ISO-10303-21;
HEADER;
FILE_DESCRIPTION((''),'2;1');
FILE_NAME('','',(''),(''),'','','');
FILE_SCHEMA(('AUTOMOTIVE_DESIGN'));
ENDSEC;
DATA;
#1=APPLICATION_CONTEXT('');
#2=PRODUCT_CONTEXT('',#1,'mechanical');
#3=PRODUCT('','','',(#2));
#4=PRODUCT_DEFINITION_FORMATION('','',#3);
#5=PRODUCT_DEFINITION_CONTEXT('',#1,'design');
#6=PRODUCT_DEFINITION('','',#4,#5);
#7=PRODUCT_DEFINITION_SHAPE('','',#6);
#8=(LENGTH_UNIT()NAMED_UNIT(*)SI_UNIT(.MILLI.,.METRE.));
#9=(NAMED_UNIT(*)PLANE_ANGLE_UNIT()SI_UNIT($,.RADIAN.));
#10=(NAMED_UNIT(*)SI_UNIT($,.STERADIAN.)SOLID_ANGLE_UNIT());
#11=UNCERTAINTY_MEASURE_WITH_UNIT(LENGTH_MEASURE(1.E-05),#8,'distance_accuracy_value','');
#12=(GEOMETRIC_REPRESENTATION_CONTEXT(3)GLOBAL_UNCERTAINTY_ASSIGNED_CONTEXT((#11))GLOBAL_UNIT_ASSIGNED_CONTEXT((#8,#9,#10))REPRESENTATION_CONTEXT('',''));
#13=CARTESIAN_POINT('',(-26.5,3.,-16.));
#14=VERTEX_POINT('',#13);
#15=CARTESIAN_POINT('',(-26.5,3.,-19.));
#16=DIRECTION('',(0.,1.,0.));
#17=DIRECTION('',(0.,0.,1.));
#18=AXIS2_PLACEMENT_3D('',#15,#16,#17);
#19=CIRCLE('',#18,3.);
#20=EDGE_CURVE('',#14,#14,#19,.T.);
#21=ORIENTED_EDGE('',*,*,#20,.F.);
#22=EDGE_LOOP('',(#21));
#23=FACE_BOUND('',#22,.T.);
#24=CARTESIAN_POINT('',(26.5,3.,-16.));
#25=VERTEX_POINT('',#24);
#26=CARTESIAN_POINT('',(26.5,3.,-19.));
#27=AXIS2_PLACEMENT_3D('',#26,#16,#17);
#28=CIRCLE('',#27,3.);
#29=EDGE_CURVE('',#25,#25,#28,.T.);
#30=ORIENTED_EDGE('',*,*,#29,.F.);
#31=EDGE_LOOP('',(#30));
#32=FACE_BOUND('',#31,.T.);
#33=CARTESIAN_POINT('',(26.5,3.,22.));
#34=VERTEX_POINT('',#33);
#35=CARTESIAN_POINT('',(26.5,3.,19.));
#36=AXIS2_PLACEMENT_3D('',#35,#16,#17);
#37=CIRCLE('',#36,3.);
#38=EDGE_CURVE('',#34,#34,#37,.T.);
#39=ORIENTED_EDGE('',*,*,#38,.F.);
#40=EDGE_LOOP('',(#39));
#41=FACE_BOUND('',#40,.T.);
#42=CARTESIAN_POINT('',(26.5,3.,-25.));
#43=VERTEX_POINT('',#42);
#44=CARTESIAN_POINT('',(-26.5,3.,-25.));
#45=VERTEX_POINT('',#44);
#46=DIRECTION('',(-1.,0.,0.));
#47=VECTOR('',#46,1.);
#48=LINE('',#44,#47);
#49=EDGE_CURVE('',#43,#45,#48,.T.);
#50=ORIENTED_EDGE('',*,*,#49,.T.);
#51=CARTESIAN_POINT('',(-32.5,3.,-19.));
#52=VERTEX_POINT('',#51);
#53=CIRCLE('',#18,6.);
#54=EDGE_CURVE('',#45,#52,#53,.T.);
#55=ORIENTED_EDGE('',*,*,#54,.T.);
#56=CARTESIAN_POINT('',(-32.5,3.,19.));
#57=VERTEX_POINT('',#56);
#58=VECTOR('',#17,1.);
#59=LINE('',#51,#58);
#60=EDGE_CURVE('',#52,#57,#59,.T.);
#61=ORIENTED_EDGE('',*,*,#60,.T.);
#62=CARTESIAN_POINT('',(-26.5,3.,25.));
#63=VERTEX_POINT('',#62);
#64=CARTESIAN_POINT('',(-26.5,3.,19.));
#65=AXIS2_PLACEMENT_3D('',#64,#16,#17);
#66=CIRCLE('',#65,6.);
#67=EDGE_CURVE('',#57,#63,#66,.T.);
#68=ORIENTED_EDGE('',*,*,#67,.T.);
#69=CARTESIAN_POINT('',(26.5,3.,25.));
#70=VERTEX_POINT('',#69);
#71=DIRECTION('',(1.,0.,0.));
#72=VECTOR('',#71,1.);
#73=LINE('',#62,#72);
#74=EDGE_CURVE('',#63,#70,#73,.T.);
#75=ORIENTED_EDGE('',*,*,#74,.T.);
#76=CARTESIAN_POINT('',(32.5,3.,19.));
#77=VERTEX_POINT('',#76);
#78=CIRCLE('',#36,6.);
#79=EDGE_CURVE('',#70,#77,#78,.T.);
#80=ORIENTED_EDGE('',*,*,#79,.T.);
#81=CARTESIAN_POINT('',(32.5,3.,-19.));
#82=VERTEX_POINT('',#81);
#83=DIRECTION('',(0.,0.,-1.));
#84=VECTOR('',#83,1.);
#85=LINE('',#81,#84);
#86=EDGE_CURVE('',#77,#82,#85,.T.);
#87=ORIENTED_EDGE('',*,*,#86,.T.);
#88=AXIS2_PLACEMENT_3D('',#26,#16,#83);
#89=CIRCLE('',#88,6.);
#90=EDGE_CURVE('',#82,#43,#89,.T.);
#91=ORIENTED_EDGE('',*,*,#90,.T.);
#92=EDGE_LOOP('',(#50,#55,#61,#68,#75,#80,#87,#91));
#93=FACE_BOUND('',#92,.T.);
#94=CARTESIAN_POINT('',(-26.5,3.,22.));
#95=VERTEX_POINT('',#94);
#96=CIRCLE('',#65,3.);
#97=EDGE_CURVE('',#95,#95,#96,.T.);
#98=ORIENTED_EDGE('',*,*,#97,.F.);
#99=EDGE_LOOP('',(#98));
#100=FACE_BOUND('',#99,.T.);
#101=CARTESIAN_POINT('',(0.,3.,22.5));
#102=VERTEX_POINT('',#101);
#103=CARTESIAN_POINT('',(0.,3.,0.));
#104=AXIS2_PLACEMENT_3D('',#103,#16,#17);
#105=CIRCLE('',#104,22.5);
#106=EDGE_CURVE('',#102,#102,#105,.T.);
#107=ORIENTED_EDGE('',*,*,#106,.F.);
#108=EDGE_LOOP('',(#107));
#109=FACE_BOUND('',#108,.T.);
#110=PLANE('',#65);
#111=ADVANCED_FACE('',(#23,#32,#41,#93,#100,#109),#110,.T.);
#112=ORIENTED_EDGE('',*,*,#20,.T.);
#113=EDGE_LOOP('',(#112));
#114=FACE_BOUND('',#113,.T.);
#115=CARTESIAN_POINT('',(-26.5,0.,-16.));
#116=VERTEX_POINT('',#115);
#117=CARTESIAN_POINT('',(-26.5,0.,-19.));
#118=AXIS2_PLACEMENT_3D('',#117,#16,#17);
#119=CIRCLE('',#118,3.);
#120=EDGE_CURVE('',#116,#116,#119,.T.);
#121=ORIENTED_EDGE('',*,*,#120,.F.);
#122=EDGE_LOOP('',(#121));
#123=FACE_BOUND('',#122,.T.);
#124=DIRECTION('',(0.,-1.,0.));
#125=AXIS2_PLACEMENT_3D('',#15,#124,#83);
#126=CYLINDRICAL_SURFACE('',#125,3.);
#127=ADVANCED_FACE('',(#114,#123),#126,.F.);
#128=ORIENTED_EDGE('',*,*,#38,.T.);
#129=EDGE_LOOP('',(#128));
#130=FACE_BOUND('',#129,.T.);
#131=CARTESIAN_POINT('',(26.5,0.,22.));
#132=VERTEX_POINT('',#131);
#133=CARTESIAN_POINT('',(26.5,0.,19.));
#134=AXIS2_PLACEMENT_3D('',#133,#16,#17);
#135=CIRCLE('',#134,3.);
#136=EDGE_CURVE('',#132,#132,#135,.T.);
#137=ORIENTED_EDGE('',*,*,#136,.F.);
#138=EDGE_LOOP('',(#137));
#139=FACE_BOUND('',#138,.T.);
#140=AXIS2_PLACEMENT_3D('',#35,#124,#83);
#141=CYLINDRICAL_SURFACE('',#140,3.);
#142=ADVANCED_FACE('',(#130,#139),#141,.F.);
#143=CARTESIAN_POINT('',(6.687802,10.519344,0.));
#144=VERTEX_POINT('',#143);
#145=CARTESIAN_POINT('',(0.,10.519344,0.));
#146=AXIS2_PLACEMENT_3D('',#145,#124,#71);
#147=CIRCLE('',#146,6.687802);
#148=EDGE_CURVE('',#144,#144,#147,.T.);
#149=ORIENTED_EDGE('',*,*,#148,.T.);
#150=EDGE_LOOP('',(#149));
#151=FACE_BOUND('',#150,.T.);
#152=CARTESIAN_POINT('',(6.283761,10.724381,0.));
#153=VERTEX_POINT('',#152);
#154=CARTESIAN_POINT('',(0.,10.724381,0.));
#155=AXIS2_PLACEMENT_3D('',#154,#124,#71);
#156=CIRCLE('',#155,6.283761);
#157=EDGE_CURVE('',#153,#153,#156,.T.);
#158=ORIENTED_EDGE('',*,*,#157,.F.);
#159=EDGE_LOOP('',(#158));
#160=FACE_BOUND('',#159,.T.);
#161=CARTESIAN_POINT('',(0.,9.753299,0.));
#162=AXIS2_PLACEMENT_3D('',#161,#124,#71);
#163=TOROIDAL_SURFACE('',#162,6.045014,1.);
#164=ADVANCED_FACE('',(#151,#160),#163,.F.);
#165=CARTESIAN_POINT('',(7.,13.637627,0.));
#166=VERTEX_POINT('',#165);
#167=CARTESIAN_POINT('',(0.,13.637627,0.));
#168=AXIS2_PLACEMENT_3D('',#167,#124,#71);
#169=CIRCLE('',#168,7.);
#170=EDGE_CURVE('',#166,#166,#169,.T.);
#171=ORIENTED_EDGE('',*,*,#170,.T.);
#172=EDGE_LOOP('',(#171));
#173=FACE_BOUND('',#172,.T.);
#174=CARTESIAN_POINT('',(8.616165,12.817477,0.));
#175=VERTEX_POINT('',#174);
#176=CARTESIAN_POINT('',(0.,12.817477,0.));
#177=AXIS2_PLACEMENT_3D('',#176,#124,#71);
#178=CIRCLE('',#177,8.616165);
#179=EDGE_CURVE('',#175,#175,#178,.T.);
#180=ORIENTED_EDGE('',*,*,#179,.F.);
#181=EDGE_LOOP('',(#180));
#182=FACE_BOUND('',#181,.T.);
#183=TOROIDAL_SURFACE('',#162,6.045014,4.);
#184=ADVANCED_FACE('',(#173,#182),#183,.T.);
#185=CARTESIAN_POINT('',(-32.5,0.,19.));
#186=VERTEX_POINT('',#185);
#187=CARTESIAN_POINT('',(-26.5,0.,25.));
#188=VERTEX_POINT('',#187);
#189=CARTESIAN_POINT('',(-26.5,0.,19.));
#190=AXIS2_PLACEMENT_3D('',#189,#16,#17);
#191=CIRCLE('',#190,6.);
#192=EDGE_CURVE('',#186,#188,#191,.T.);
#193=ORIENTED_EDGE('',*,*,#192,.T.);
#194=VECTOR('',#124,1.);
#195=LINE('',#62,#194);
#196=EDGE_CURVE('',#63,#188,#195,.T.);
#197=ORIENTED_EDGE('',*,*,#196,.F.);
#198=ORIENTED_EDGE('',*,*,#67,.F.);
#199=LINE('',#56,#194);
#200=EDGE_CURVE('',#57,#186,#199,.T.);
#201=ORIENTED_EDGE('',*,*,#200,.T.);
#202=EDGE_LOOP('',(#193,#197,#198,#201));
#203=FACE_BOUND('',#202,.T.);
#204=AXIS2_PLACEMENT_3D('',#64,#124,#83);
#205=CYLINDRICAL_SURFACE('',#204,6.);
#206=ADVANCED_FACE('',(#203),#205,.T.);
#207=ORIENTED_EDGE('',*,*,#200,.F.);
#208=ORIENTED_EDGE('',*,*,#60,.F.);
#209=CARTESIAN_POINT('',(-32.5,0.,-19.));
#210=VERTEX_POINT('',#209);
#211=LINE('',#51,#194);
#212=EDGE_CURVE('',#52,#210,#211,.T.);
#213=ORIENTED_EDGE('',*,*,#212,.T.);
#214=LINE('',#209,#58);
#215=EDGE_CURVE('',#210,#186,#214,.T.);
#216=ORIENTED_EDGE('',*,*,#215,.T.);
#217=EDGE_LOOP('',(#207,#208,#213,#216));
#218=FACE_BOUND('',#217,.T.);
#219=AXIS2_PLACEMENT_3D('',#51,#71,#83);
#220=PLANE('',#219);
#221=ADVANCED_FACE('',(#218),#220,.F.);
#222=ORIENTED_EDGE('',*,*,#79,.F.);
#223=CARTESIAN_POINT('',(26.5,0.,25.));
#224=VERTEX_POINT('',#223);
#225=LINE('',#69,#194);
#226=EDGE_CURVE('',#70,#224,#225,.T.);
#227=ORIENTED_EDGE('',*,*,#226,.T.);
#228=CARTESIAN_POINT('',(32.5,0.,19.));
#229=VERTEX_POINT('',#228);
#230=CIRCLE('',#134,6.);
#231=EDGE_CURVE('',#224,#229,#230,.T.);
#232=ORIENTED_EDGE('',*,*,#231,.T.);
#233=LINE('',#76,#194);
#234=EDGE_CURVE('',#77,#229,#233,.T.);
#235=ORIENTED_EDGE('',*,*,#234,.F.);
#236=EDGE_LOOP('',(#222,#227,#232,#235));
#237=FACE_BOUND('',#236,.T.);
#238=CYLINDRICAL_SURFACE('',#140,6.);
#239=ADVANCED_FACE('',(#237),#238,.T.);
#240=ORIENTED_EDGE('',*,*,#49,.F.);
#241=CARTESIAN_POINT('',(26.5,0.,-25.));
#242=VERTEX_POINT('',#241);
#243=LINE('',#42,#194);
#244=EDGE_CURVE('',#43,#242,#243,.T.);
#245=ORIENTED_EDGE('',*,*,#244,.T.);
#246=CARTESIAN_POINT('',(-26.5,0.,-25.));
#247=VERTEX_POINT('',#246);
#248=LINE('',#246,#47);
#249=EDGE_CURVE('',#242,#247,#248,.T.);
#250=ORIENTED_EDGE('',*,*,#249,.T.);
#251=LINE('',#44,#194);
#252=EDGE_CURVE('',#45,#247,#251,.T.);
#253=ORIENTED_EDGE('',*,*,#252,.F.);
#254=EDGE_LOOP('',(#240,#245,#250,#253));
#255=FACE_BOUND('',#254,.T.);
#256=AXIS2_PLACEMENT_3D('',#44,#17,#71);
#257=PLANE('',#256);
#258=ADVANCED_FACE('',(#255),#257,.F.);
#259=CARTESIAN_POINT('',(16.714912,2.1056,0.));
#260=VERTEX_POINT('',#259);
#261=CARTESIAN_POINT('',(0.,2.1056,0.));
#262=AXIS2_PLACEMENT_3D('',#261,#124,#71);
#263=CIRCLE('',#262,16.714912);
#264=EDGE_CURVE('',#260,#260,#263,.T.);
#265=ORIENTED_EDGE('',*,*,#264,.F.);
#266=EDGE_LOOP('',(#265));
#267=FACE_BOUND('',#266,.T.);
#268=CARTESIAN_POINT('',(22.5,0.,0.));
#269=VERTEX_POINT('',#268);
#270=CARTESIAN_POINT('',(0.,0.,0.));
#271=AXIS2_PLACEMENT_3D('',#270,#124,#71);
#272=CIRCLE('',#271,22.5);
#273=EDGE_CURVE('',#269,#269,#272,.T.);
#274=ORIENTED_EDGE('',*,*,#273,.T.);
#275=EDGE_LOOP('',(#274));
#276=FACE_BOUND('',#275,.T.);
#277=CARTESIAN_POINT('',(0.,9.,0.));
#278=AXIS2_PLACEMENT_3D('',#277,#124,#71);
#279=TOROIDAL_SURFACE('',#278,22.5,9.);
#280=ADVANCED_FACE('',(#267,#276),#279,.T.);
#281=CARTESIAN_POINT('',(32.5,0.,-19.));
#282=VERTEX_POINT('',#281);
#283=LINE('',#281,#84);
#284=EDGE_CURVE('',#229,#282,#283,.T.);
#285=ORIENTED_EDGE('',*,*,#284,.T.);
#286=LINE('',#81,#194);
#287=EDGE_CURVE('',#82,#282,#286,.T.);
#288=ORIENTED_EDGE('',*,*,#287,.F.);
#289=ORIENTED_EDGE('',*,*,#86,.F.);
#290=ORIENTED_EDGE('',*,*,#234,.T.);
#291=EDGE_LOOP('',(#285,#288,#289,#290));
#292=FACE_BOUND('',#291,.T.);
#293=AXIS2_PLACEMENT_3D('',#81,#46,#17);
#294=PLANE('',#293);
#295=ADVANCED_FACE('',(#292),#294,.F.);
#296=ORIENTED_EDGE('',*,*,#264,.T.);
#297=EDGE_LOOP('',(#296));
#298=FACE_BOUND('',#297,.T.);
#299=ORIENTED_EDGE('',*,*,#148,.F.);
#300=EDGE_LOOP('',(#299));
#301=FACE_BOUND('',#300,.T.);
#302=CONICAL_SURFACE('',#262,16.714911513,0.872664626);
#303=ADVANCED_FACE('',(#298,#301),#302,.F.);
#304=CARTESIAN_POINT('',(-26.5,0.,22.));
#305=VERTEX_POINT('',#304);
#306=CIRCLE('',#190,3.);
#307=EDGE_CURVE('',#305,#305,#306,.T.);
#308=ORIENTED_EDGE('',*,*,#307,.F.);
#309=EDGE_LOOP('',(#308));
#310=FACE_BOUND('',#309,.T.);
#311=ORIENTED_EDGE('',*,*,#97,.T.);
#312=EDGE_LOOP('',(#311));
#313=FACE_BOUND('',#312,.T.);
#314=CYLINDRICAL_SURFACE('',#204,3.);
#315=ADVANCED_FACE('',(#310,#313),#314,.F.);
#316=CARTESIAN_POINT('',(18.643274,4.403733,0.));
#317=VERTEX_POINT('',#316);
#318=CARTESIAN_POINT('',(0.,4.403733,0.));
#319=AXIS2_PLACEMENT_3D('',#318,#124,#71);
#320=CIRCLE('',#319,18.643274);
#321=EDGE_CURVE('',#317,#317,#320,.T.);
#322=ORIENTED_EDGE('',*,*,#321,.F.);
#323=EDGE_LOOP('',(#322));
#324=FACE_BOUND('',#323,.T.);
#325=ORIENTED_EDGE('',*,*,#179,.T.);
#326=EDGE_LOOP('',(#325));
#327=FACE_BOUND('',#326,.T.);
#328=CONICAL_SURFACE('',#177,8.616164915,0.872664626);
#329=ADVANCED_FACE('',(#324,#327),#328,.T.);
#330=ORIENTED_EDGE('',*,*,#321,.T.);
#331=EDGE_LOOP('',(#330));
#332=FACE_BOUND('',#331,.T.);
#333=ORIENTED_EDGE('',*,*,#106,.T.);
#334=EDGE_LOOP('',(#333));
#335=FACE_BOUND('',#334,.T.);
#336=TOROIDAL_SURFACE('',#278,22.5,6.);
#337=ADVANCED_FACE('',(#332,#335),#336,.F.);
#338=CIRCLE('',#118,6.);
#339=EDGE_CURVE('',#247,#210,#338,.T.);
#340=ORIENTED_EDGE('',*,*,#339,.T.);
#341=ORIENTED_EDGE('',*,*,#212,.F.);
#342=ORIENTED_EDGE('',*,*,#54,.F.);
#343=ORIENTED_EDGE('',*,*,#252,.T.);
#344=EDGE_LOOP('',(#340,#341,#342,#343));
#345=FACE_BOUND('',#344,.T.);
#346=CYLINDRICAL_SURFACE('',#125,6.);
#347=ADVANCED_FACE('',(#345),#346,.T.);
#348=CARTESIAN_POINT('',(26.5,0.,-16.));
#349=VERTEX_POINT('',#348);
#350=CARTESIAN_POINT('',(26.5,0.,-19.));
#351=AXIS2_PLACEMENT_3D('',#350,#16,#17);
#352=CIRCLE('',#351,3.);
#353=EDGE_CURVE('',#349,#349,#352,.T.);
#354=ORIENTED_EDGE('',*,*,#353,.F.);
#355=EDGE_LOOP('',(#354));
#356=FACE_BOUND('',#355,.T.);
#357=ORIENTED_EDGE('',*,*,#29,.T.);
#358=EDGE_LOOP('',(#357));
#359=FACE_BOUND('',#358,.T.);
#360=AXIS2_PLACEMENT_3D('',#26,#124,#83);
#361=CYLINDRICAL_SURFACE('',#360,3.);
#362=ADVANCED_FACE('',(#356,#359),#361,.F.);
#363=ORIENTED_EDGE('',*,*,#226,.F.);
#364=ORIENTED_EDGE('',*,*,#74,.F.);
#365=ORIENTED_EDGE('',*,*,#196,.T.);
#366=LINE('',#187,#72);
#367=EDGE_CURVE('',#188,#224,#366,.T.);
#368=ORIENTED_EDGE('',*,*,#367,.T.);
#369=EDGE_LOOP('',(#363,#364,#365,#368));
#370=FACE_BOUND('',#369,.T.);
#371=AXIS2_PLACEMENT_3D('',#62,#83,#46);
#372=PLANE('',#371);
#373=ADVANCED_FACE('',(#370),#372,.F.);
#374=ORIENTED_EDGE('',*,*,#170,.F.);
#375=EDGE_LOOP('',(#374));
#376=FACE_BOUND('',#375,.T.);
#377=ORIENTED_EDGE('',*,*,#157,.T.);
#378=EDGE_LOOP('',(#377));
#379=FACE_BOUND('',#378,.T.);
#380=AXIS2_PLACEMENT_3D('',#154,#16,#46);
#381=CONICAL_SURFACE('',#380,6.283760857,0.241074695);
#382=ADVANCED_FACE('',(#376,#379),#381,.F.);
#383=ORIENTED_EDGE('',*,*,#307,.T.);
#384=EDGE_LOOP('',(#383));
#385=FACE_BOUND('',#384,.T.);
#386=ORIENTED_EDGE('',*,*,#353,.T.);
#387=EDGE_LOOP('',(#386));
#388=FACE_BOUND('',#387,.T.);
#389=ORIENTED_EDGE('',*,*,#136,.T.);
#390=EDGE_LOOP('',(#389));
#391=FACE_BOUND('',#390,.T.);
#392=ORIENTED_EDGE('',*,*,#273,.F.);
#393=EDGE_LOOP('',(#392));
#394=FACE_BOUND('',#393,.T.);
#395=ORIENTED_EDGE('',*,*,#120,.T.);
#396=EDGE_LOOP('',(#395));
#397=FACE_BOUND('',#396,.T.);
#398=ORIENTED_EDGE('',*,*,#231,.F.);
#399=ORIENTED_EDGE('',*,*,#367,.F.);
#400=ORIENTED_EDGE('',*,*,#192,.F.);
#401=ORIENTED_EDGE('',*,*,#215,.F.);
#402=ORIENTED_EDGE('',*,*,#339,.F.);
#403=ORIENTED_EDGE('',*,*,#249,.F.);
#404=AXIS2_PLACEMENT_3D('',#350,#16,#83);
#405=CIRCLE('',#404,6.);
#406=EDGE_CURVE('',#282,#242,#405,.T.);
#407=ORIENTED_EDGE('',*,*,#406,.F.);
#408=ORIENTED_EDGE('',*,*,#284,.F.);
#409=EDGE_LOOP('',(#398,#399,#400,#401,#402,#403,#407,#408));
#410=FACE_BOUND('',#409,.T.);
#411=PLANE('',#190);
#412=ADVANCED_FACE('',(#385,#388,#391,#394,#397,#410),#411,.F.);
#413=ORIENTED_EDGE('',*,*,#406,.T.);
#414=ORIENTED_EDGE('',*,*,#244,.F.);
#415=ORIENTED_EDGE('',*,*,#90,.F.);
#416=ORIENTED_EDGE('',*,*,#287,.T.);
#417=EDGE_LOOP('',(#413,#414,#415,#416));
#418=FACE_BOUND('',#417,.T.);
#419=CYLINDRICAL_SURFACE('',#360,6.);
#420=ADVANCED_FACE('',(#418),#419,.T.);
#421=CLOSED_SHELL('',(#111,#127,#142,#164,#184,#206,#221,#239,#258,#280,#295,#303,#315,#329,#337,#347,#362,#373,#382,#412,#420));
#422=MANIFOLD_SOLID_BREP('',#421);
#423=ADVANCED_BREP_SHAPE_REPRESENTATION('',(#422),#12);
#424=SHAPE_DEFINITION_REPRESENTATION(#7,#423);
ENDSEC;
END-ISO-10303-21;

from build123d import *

# Parameters (mm, degrees)
SKETCH1_R           = 3
SKETCH1_R_2         = 22.5
BOSS_EXTRUDE1_DEPTH = 3


with BuildPart() as part:
    # Sketch1 → Boss-Extrude1 (new body)
    with BuildSketch(Plane(origin=(0, 0, 0), x_dir=(1, 0, 0), z_dir=(0, 1, 0))):
        with BuildLine():
            Line((-26.5, 25), (26.5, 25))
            ThreePointArc((26.5, 25), (30.742640687, 23.242640687), (32.5, 19))
            Line((32.5, 19), (32.5, -19))
            ThreePointArc((32.5, -19), (30.742640687, -23.242640687), (26.5, -25))
            Line((26.5, -25), (-26.5, -25))
            ThreePointArc((-26.5, -25), (-30.742640687, -23.242640687), (-32.5, -19))
            Line((-32.5, -19), (-32.5, 19))
            ThreePointArc((-32.5, 19), (-30.742640687, 23.242640687), (-26.5, 25))
        make_face()
        with Locations(Location((-26.5, 19, 0), (0, 0, 270))):
            Circle(SKETCH1_R, mode=Mode.SUBTRACT)
        with Locations(Location((26.5, 19, 0), (0, 0, 270))):
            Circle(SKETCH1_R, mode=Mode.SUBTRACT)
        with Locations(Location((26.5, -19, 0), (0, 0, 270))):
            Circle(SKETCH1_R, mode=Mode.SUBTRACT)
        with Locations(Location((-26.5, -19, 0), (0, 0, 270))):
            Circle(SKETCH1_R, mode=Mode.SUBTRACT)
        with Locations(Location((0, 0, 0), (0, 0, 270))):
            Circle(SKETCH1_R_2, mode=Mode.SUBTRACT)
    extrude(amount=BOSS_EXTRUDE1_DEPTH)

    # Sketch2 → Revolve3 (revolve)
    with BuildSketch(Plane.XY, mode=Mode.PRIVATE) as revolve3_sk:
        with BuildLine():
            Line((-18.643274342, 4.403733341), (-8.616164915, 12.817477163))
            ThreePointArc((-8.616164915, 12.817477163), (-7.85514437, 13.320291088), (-7, 13.637627215))
            Line((-7, 13.637627215), (-6.283760857, 10.724381347))
            ThreePointArc((-6.283760857, 10.724381347), (-6.49754695, 10.645047315), (-6.687802086, 10.519343834))
            Line((-6.687802086, 10.519343834), (-16.714911513, 2.105600012))
            ThreePointArc((-16.714911513, 2.105600012), (-19.42181871, 0.542766413), (-22.5, 0))
            Line((-22.5, 0), (-22.5, 3))
            ThreePointArc((-22.5, 3), (-20.44787914, 3.361844275), (-18.643274342, 4.403733341))
        make_face()
    revolve(revolve3_sk.sketch.rotate(Axis((0, 0, 0), (0, 1, 0)), 180), axis=Axis((0, 0, 0), (0, 1, 0)))


solid = part.part
